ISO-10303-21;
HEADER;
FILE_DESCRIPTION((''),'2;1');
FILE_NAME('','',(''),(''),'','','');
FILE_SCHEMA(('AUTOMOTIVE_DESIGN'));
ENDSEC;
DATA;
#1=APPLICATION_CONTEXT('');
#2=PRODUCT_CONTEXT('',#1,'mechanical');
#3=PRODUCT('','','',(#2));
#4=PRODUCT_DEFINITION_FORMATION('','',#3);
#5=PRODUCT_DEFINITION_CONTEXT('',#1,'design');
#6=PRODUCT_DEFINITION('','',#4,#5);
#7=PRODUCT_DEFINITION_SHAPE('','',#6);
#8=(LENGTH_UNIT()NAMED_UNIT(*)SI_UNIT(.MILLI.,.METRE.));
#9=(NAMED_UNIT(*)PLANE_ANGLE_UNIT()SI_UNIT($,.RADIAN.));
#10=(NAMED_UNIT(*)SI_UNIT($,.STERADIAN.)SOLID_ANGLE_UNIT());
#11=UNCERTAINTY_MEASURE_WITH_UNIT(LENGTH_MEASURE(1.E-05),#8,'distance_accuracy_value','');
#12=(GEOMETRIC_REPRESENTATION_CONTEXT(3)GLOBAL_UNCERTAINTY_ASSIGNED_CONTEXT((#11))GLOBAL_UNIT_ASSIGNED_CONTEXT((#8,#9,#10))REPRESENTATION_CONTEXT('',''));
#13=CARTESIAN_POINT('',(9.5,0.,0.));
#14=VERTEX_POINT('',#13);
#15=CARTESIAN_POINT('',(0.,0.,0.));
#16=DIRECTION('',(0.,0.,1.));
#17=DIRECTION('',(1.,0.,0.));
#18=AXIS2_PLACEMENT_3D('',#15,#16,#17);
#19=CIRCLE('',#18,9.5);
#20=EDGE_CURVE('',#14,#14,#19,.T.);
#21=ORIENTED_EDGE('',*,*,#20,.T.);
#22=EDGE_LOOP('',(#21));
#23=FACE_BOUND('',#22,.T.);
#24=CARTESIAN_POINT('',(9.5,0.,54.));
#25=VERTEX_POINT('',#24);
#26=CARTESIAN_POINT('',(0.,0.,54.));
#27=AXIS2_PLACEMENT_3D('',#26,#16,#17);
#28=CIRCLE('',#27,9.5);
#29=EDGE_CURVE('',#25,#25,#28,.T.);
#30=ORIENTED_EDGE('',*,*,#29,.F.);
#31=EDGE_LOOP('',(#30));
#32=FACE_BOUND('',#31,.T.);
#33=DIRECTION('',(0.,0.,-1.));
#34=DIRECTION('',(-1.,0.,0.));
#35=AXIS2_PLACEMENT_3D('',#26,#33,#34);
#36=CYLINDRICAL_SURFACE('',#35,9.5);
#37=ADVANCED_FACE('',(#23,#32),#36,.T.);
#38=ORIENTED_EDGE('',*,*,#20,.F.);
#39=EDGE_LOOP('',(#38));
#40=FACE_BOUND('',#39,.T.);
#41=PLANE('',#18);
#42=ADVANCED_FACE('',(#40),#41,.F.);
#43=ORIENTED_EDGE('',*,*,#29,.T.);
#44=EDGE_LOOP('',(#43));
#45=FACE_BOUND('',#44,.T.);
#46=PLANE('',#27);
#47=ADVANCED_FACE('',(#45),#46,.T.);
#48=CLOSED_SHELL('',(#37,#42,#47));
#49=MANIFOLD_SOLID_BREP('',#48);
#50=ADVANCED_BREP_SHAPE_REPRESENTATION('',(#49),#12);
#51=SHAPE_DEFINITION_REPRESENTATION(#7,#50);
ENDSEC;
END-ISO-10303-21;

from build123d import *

# Parameters (mm, degrees)
SKETCH_1_R      = 9.5
EXTRUDE_1_DEPTH = 54


with BuildPart() as part:
    # Эскиз1 → Бобышка-Вытянуть1 (new body)
    with BuildSketch(Plane.XY):
        Circle(SKETCH_1_R)
    extrude(amount=EXTRUDE_1_DEPTH)


solid = part.part
